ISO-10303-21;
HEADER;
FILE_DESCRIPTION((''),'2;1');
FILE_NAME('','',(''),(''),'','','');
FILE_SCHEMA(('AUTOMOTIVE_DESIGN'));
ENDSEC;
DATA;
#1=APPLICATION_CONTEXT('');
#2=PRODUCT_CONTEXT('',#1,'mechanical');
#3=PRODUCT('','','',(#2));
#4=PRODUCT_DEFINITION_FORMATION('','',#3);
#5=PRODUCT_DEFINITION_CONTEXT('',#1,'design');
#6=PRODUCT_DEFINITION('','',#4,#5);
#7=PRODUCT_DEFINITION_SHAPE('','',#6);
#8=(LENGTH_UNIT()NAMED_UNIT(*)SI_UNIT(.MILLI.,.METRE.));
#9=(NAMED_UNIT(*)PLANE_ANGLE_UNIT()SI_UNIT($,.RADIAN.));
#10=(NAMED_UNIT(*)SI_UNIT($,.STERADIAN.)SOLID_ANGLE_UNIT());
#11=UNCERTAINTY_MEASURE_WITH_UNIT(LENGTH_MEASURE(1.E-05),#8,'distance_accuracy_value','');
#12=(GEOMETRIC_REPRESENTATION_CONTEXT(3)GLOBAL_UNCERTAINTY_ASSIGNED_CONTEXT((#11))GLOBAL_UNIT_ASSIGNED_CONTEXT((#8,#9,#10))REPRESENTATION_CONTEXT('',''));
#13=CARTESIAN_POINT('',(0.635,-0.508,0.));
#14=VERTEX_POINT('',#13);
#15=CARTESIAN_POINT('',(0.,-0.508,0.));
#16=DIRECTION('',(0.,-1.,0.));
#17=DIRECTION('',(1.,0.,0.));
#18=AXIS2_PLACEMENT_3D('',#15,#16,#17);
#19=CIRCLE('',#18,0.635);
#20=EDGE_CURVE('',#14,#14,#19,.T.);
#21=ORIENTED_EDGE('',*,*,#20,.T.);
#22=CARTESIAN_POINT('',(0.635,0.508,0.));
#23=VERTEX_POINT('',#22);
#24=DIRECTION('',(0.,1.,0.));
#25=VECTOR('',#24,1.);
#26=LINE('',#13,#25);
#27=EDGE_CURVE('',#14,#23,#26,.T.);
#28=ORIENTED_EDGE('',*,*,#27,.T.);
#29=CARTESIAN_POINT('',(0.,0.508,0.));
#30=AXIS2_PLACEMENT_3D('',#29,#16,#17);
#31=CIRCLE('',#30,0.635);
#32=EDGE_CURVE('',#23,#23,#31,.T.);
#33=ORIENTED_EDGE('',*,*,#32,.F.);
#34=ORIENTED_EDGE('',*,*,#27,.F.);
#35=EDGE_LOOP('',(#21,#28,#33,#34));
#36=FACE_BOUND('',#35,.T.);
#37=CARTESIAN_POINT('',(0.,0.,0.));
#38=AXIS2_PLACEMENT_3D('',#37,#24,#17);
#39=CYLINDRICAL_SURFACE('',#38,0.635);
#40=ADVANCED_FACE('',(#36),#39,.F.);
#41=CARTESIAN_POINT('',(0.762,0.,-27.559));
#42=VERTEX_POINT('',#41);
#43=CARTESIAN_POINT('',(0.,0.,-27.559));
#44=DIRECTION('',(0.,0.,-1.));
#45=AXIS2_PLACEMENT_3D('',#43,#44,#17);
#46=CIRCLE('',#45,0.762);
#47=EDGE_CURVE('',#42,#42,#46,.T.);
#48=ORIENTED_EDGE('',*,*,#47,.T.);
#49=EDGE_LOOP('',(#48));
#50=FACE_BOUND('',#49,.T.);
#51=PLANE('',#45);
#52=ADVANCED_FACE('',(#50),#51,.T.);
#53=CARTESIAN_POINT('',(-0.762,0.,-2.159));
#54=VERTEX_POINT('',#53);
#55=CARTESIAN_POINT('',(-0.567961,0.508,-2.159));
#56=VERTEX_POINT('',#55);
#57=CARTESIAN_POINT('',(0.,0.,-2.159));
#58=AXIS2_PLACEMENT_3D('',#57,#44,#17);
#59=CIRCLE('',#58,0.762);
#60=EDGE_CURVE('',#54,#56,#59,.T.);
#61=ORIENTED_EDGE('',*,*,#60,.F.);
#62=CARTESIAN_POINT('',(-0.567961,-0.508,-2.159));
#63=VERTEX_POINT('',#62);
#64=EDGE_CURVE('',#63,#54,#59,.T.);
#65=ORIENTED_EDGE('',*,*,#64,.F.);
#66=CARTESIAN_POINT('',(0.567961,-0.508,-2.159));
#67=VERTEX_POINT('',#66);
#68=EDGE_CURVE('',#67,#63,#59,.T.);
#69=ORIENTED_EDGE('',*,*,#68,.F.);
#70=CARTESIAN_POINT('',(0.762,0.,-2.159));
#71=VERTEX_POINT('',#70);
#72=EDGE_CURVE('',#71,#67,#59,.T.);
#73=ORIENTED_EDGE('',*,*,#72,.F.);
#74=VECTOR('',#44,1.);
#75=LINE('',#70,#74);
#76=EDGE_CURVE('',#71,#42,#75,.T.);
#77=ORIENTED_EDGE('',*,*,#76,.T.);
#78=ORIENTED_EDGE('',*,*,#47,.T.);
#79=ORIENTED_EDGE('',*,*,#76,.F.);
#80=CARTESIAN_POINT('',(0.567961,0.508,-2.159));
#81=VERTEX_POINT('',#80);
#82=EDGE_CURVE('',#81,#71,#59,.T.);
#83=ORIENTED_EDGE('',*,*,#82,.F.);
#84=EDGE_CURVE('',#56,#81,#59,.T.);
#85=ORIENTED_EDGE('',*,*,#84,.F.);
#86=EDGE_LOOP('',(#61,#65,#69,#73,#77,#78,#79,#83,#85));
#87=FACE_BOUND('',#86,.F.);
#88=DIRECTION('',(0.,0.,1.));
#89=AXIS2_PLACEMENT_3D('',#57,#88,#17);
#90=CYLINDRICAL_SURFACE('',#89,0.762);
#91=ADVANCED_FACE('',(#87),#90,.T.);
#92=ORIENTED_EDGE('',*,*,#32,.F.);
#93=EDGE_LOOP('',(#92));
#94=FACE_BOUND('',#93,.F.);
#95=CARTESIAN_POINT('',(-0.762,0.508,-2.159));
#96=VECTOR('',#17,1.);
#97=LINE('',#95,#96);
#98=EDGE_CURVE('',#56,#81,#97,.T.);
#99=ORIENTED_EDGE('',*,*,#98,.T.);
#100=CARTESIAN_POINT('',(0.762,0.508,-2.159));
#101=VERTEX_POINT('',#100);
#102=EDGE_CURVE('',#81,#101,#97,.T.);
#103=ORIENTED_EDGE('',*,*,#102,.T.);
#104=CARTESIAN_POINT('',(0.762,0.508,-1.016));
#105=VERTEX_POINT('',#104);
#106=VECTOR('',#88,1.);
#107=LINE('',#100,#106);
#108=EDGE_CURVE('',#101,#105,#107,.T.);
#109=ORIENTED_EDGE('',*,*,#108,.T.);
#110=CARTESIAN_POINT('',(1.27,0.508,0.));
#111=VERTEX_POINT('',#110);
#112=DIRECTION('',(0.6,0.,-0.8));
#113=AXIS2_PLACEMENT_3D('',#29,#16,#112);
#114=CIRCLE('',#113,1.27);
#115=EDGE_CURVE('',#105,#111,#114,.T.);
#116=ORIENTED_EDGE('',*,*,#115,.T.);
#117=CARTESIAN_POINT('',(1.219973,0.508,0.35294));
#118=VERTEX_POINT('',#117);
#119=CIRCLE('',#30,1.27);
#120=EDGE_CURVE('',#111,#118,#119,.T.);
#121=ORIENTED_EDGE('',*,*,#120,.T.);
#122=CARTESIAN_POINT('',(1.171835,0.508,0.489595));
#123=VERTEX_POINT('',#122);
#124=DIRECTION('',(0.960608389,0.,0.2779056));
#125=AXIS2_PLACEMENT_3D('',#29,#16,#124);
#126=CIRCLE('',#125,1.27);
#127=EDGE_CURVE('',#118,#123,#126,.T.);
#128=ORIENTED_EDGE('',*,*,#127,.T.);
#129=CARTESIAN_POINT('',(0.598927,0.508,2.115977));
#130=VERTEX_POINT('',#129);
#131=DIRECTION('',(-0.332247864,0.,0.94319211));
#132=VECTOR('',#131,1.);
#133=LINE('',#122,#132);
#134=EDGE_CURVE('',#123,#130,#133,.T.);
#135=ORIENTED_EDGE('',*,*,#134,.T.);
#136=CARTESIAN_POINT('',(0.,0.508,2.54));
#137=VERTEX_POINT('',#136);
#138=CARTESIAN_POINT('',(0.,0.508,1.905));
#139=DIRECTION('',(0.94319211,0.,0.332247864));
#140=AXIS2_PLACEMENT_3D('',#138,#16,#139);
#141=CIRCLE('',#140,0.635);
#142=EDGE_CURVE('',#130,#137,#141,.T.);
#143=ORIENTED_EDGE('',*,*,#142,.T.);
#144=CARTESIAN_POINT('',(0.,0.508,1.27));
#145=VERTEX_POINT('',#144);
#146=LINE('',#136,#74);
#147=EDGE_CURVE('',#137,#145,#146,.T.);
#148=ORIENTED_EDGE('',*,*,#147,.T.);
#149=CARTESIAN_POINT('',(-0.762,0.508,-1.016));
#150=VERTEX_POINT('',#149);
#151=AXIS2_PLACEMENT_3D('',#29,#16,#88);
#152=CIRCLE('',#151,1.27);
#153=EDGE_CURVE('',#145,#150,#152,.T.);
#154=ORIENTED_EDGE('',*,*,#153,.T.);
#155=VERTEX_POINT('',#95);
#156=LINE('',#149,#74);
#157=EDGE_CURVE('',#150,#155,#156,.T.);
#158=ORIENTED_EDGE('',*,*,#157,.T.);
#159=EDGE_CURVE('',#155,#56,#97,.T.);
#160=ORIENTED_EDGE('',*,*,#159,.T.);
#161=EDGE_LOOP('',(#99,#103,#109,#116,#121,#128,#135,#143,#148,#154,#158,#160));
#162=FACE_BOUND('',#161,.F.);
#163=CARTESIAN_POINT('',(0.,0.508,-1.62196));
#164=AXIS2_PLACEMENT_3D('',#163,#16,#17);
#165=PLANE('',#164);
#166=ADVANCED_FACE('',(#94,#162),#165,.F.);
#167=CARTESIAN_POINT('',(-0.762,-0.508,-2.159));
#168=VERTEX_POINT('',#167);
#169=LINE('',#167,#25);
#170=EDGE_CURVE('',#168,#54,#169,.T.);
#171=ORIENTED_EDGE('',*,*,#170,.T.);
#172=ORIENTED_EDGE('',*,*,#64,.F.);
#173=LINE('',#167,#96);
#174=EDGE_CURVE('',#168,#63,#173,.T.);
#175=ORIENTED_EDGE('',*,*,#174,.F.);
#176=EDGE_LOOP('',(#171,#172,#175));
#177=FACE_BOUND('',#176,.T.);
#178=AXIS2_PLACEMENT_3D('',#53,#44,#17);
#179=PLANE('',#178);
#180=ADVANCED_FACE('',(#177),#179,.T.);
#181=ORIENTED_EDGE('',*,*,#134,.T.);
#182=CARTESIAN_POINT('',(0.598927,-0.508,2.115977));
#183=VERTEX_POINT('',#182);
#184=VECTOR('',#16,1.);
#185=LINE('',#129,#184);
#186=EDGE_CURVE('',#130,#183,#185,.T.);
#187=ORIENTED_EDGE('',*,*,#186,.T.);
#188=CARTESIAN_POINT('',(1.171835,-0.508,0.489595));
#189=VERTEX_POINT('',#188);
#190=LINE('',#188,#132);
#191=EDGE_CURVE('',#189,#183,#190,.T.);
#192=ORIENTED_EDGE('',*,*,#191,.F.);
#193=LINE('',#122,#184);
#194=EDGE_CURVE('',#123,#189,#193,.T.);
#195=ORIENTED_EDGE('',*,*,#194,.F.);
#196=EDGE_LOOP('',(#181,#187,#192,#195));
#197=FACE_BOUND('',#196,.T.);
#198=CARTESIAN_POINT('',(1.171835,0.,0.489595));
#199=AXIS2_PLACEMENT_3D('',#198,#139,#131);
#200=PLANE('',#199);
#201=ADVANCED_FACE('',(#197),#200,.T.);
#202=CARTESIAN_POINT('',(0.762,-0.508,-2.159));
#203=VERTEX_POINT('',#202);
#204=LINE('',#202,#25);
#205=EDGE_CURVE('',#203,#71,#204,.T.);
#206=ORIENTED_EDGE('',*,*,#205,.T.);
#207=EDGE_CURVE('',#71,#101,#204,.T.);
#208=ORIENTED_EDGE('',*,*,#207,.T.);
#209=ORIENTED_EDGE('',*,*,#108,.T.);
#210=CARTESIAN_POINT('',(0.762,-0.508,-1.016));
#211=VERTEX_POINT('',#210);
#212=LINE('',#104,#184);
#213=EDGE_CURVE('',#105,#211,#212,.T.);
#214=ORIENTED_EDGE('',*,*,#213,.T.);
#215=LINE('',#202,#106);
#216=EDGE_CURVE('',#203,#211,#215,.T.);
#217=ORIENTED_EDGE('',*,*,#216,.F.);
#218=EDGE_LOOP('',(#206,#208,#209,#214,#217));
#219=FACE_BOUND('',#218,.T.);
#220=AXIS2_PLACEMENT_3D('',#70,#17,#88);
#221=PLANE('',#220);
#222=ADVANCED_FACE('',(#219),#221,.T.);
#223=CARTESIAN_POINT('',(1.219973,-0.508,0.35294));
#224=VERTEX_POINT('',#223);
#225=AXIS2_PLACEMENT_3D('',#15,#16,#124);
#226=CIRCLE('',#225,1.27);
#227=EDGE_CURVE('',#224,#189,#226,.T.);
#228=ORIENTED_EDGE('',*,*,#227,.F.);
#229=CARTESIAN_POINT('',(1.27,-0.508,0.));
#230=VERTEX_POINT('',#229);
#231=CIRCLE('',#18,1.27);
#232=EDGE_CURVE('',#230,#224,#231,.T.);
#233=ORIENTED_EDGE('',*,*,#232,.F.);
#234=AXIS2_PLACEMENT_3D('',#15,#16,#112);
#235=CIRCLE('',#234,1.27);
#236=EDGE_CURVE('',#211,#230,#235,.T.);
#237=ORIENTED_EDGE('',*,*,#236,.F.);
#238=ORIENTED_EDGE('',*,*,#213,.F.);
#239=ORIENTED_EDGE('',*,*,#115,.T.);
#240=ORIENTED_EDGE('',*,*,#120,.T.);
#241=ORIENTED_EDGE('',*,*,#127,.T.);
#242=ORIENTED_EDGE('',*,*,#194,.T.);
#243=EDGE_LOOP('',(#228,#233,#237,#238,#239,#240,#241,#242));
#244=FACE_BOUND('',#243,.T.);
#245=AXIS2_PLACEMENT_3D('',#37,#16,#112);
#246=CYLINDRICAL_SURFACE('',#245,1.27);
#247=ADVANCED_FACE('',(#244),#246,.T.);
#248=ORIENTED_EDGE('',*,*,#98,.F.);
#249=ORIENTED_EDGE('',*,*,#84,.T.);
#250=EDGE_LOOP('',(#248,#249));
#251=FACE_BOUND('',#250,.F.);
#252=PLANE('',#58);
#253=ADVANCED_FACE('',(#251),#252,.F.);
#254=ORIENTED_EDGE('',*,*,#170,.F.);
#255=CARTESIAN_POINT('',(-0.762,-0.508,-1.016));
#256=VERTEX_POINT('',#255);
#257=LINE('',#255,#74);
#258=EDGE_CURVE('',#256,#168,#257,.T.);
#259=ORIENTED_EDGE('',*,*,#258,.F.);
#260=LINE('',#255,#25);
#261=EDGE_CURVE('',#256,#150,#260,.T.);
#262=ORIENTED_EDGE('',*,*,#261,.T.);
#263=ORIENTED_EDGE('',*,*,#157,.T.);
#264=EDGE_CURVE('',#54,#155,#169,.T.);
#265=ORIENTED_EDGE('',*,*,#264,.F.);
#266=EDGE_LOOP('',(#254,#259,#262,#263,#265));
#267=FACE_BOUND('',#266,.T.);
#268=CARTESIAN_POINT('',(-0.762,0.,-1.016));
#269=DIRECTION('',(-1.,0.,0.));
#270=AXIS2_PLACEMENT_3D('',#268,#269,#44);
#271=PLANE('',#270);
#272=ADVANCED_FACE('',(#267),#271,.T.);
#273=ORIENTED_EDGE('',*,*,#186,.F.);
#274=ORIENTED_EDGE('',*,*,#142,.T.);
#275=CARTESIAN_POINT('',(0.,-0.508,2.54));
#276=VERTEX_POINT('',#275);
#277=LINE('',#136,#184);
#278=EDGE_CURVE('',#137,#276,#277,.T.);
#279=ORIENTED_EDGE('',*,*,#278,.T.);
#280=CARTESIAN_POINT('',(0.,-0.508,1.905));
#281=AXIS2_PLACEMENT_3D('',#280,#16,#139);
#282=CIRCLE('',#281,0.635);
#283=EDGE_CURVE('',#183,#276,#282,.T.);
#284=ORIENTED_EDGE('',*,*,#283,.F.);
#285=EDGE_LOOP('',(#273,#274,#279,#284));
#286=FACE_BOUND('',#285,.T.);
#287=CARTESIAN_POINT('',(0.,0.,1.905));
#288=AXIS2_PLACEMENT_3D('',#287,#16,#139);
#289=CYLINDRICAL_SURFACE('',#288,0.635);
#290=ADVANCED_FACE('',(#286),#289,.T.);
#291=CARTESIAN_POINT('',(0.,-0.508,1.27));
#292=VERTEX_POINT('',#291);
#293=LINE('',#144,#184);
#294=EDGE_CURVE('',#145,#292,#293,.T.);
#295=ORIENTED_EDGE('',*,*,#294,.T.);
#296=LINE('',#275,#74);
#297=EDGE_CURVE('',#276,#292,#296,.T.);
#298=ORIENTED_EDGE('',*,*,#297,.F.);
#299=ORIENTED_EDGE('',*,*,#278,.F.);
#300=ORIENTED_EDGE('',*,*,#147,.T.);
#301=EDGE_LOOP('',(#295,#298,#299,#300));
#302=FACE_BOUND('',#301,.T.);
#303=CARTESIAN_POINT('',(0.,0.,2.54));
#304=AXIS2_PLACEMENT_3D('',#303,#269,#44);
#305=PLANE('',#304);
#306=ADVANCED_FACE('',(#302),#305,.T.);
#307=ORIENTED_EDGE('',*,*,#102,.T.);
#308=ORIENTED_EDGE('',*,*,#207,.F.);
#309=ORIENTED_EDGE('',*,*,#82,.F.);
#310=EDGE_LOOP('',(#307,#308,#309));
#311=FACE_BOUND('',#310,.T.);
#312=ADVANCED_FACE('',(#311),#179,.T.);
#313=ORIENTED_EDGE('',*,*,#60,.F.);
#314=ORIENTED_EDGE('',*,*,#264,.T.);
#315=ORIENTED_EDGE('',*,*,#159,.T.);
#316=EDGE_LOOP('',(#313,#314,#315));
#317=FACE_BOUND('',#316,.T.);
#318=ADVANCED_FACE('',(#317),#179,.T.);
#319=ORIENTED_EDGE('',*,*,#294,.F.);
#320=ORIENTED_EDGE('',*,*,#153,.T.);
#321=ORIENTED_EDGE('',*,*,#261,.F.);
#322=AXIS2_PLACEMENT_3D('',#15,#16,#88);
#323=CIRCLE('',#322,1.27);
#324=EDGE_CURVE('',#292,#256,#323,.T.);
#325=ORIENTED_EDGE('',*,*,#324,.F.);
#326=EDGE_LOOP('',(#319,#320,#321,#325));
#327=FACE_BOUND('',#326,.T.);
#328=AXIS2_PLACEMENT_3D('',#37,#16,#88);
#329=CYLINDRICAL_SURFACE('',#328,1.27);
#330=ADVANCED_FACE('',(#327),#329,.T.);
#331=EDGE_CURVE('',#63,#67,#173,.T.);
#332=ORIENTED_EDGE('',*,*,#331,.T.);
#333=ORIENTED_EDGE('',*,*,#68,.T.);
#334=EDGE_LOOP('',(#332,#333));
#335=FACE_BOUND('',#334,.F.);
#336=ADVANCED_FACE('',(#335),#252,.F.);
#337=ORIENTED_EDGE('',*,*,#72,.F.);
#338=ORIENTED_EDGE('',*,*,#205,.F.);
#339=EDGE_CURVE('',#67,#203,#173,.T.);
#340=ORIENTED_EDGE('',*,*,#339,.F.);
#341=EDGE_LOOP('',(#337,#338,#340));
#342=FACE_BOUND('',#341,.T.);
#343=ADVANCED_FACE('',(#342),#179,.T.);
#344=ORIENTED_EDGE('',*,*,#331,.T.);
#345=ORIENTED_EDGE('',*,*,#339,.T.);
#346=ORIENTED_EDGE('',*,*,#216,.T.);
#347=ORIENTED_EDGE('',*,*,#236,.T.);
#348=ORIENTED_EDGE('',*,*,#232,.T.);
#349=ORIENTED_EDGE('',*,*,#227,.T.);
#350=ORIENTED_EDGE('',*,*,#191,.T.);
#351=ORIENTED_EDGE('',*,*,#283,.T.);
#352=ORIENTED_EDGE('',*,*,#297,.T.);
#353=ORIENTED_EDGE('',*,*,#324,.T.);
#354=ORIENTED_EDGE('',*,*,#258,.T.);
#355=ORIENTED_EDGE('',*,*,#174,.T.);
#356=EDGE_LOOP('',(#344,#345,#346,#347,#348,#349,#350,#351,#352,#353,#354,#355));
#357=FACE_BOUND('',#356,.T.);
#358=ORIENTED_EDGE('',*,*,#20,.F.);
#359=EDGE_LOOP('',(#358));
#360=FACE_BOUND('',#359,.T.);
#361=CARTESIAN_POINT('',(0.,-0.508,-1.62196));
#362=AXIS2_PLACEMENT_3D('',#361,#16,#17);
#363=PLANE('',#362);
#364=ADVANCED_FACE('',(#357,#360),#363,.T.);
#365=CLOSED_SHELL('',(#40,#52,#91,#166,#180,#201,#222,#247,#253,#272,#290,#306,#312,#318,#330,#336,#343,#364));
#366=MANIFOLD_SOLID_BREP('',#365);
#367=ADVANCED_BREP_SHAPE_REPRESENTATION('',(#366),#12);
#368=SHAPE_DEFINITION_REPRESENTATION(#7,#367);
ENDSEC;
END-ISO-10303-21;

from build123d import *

# Parameters (mm, degrees)
F0_R     = 0.635
F1_DEPTH = 0.508
F2_DEPTH = 0.508
F3_R     = 0.762
F4_DEPTH = 25.4


with BuildPart() as f1:
    # F0 (on Front) → F1 (new body, symmetric)
    with BuildSketch(Plane.XZ):
        with BuildLine():
            Line((1.1718346045, 0.4895954042), (1.219972654, 0.352940113))
            ThreePointArc((1.219972654, 0.352940113), (1.1978539801, 0.4219547871), (1.1718346045, 0.4895954042))
        make_face()
        with BuildLine():
            ThreePointArc((0, 1.27), (0.7039580373, 1.0570445032), (1.1718346045, 0.4895954042))
            Line((1.1718346045, 0.4895954042), (0.59892699, 2.1159773936))
            ThreePointArc((0.59892699, 2.1159773936), (0.3669157635, 2.42326424), (0, 2.54))
            Line((0, 2.54), (0, 1.27))
        make_face()
        with BuildLine():
            ThreePointArc((0.762, -1.016), (1.1359225326, -0.5679612663), (1.27, 0))
            ThreePointArc((1.27, 0), (1.2574309664, 0.1782340166), (1.219972654, 0.352940113))
            Line((1.219972654, 0.352940113), (1.1718346045, 0.4895954042))
            ThreePointArc((1.1718346045, 0.4895954042), (0.7039580373, 1.0570445032), (0, 1.27))
            ThreePointArc((0, 1.27), (-1.2048277885, 0.4016092628), (-0.762, -1.016))
            ThreePointArc((-0.762, -1.016), (0, -1.27), (0.762, -1.016))
        make_face()
        Circle(F0_R, mode=Mode.SUBTRACT)
    extrude(amount=F1_DEPTH, both=True)

    # F0 (on Front) → F2 (join, symmetric)
    with BuildSketch(Plane.XZ):
        with BuildLine():
            Line((0.762, -2.159), (0.762, -1.016))
            ThreePointArc((0.762, -1.016), (0, -1.27), (-0.762, -1.016))
            Line((-0.762, -1.016), (-0.762, -2.159))
            Line((-0.762, -2.159), (0.762, -2.159))
        make_face()
    extrude(amount=F2_DEPTH, both=True)

    # F3 (on face) → F4 (join)
    with BuildSketch(Plane(origin=(0, 0, -2.159), x_dir=(1, 0, 0), z_dir=(0, 0, -1))):
        Circle(F3_R)
    extrude(amount=F4_DEPTH)


solid = f1.part
